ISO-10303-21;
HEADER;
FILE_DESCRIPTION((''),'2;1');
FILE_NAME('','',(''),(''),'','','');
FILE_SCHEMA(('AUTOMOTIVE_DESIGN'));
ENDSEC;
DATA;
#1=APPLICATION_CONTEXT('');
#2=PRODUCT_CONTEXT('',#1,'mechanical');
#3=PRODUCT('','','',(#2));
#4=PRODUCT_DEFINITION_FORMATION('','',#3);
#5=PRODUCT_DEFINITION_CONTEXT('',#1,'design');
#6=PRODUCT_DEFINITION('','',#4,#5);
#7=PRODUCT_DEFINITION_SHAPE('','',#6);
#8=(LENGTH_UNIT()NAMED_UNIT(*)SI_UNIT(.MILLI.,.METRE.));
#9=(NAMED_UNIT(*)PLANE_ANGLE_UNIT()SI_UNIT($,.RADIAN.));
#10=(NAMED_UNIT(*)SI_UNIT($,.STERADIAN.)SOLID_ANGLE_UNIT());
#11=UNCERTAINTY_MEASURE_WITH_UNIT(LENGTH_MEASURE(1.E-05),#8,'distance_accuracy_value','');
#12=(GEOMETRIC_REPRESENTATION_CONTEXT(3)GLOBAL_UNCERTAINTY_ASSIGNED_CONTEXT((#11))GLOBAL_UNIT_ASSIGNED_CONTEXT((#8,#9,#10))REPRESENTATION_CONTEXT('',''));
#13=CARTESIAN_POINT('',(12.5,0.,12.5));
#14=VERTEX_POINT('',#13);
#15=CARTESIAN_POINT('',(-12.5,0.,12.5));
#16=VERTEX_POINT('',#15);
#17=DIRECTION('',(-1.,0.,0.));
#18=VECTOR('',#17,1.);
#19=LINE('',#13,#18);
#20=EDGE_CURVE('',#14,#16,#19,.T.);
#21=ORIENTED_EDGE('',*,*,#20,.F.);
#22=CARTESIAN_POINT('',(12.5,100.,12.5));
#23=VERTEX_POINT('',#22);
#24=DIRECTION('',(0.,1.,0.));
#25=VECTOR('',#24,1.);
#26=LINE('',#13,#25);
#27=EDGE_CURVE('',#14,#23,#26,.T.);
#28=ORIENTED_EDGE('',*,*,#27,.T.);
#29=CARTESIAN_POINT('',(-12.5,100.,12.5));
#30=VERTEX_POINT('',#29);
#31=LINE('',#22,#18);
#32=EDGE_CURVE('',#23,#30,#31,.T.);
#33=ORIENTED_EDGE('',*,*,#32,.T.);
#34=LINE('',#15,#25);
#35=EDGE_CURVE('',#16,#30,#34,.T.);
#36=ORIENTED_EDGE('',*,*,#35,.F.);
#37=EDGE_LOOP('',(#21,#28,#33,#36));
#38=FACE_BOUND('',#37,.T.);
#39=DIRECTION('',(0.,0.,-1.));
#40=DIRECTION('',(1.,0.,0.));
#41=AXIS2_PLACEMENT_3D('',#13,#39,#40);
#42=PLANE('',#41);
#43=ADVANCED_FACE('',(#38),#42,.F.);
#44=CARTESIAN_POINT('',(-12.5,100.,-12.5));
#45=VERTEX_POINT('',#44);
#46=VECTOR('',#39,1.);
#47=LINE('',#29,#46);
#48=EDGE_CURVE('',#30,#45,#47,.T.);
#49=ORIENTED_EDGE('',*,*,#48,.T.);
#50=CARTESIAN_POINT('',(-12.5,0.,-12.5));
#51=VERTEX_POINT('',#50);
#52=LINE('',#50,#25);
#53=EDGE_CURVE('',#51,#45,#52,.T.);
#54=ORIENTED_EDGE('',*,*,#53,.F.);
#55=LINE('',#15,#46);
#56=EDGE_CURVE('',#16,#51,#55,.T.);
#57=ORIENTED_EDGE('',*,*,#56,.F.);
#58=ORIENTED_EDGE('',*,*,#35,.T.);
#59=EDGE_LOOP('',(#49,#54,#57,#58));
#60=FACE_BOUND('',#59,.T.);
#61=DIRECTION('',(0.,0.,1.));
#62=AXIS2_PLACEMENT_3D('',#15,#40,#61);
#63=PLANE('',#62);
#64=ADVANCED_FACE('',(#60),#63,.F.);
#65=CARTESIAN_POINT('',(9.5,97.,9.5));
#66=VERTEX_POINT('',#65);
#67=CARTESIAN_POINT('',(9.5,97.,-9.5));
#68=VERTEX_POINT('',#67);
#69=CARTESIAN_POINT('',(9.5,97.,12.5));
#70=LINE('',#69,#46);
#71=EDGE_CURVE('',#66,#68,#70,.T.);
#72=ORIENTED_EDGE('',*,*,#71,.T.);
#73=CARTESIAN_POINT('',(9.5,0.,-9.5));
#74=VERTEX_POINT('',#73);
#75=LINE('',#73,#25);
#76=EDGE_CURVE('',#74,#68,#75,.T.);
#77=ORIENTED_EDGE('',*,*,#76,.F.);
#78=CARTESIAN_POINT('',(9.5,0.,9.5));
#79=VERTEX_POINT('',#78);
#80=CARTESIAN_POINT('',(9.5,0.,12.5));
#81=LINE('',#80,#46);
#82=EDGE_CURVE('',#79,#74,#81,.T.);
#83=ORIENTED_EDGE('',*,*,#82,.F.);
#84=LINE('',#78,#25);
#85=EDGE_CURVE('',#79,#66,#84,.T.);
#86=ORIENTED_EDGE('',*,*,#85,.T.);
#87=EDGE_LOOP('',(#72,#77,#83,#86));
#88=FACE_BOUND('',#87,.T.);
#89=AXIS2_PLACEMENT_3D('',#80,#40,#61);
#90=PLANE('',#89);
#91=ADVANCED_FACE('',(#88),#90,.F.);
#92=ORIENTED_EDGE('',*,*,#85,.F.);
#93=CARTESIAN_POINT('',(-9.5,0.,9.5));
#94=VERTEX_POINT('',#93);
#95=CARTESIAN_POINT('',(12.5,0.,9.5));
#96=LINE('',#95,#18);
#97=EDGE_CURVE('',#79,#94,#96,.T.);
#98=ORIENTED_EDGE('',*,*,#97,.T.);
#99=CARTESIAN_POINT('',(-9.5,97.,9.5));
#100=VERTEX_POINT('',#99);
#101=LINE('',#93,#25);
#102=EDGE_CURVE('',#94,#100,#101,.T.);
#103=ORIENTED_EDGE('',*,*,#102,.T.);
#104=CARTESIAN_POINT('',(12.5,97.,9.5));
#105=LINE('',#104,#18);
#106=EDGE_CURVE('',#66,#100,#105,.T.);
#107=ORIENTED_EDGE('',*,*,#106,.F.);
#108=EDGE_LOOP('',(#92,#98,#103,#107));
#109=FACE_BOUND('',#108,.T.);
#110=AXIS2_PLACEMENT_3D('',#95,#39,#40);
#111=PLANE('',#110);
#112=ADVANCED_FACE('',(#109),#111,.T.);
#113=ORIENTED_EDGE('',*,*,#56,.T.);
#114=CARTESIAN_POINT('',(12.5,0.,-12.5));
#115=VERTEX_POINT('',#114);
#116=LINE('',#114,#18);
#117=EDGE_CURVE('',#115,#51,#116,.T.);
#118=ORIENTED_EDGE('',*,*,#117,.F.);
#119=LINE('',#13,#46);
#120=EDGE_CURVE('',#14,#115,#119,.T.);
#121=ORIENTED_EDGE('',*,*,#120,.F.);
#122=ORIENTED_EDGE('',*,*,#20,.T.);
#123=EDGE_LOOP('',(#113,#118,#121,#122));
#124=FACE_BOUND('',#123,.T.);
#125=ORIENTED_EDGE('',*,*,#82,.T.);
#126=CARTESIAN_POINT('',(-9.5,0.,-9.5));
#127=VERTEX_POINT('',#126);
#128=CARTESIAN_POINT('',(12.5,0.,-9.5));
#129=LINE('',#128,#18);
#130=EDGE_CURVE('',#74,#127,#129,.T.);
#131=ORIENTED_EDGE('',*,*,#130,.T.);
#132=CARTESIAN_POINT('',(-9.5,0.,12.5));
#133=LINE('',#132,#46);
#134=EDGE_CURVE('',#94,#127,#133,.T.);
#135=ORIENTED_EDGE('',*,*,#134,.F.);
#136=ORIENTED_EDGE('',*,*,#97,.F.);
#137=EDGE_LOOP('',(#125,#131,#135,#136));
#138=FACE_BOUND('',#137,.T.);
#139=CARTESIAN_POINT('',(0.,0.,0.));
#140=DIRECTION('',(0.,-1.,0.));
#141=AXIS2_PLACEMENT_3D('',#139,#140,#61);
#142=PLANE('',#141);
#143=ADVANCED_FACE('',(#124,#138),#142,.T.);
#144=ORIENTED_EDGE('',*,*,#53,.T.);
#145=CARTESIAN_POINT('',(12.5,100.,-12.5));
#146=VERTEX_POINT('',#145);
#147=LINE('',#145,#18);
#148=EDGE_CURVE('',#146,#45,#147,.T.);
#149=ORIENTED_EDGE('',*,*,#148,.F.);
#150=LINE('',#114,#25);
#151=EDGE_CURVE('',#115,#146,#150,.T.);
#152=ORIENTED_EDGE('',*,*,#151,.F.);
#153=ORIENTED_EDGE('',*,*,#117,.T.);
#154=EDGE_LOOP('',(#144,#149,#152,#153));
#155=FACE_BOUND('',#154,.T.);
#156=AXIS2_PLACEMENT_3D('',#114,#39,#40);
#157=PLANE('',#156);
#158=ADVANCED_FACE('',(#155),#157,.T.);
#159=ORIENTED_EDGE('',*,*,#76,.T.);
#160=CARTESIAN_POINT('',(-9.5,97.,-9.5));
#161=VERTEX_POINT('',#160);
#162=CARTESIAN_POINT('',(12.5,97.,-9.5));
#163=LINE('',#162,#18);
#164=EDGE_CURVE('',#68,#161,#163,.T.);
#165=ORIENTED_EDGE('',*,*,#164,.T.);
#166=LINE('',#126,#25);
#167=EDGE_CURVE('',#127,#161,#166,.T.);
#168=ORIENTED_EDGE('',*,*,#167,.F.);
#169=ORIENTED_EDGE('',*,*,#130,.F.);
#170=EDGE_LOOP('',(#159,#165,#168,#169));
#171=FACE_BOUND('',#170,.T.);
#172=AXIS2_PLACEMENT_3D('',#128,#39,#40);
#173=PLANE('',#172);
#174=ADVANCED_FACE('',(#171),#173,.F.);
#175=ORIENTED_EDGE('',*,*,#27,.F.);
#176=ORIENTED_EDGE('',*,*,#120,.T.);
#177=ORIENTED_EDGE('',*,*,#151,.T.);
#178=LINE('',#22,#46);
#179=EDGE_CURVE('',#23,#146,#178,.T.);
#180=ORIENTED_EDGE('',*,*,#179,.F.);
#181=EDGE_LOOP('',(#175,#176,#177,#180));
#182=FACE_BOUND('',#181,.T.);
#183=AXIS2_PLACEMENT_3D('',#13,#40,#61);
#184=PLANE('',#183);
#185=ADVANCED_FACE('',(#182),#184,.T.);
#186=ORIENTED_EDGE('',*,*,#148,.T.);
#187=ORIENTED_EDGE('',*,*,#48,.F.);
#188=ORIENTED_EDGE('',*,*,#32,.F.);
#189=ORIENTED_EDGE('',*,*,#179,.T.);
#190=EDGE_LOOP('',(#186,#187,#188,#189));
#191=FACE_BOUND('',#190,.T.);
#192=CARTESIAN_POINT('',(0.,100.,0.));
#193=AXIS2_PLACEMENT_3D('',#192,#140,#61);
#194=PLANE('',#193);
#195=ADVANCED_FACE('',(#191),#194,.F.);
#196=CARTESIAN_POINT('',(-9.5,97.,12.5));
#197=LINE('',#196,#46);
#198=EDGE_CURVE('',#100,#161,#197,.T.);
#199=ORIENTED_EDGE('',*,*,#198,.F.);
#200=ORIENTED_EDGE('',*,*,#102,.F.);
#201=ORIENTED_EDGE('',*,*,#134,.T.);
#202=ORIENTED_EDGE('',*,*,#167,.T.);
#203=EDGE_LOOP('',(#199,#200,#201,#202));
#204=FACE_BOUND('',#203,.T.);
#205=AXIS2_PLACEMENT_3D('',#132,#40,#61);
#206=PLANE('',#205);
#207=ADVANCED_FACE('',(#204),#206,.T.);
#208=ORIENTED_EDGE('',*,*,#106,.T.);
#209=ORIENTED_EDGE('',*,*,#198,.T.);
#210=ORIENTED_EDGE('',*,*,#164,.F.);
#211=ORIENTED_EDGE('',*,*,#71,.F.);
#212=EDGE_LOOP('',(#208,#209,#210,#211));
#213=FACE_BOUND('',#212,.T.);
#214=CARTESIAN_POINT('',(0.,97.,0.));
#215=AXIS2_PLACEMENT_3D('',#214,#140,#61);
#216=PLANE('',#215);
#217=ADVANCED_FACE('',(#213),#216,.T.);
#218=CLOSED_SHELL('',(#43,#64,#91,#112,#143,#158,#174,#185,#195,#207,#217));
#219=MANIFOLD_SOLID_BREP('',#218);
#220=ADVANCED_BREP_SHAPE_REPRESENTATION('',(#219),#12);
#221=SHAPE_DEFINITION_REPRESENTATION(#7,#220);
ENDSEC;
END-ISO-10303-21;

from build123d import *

# Parameters (mm, degrees)
SKETCH2_W             = 25
SKETCH2_H             = 25
BOSS_EXTRUDE2_DEPTH   = 100
SHELL2_T              = -3
BODY_MOVE_COPY1_ANGLE = 180


with BuildPart() as part:
    # Sketch2 → Boss-Extrude2 (new body)
    with BuildSketch(Plane(origin=(0, 0, 0), x_dir=(1, 0, 0), z_dir=(0, 1, 0))):
        Rectangle(SKETCH2_W, SKETCH2_H)
    extrude(amount=BOSS_EXTRUDE2_DEPTH)

    # Shell2
    shell2_openings = [part.faces().sort_by_distance(p)[0] for p in [
        (0, 100, 0),
    ]]
    offset(amount=SHELL2_T, openings=shell2_openings, kind=Kind.INTERSECTION)


with BuildPart() as part_1:
    # Body-Move/Copy1: moved
    add(part.part.rotate(Axis((0, 50, 0), (0, 0, 1)), BODY_MOVE_COPY1_ANGLE))


solid = part_1.part
